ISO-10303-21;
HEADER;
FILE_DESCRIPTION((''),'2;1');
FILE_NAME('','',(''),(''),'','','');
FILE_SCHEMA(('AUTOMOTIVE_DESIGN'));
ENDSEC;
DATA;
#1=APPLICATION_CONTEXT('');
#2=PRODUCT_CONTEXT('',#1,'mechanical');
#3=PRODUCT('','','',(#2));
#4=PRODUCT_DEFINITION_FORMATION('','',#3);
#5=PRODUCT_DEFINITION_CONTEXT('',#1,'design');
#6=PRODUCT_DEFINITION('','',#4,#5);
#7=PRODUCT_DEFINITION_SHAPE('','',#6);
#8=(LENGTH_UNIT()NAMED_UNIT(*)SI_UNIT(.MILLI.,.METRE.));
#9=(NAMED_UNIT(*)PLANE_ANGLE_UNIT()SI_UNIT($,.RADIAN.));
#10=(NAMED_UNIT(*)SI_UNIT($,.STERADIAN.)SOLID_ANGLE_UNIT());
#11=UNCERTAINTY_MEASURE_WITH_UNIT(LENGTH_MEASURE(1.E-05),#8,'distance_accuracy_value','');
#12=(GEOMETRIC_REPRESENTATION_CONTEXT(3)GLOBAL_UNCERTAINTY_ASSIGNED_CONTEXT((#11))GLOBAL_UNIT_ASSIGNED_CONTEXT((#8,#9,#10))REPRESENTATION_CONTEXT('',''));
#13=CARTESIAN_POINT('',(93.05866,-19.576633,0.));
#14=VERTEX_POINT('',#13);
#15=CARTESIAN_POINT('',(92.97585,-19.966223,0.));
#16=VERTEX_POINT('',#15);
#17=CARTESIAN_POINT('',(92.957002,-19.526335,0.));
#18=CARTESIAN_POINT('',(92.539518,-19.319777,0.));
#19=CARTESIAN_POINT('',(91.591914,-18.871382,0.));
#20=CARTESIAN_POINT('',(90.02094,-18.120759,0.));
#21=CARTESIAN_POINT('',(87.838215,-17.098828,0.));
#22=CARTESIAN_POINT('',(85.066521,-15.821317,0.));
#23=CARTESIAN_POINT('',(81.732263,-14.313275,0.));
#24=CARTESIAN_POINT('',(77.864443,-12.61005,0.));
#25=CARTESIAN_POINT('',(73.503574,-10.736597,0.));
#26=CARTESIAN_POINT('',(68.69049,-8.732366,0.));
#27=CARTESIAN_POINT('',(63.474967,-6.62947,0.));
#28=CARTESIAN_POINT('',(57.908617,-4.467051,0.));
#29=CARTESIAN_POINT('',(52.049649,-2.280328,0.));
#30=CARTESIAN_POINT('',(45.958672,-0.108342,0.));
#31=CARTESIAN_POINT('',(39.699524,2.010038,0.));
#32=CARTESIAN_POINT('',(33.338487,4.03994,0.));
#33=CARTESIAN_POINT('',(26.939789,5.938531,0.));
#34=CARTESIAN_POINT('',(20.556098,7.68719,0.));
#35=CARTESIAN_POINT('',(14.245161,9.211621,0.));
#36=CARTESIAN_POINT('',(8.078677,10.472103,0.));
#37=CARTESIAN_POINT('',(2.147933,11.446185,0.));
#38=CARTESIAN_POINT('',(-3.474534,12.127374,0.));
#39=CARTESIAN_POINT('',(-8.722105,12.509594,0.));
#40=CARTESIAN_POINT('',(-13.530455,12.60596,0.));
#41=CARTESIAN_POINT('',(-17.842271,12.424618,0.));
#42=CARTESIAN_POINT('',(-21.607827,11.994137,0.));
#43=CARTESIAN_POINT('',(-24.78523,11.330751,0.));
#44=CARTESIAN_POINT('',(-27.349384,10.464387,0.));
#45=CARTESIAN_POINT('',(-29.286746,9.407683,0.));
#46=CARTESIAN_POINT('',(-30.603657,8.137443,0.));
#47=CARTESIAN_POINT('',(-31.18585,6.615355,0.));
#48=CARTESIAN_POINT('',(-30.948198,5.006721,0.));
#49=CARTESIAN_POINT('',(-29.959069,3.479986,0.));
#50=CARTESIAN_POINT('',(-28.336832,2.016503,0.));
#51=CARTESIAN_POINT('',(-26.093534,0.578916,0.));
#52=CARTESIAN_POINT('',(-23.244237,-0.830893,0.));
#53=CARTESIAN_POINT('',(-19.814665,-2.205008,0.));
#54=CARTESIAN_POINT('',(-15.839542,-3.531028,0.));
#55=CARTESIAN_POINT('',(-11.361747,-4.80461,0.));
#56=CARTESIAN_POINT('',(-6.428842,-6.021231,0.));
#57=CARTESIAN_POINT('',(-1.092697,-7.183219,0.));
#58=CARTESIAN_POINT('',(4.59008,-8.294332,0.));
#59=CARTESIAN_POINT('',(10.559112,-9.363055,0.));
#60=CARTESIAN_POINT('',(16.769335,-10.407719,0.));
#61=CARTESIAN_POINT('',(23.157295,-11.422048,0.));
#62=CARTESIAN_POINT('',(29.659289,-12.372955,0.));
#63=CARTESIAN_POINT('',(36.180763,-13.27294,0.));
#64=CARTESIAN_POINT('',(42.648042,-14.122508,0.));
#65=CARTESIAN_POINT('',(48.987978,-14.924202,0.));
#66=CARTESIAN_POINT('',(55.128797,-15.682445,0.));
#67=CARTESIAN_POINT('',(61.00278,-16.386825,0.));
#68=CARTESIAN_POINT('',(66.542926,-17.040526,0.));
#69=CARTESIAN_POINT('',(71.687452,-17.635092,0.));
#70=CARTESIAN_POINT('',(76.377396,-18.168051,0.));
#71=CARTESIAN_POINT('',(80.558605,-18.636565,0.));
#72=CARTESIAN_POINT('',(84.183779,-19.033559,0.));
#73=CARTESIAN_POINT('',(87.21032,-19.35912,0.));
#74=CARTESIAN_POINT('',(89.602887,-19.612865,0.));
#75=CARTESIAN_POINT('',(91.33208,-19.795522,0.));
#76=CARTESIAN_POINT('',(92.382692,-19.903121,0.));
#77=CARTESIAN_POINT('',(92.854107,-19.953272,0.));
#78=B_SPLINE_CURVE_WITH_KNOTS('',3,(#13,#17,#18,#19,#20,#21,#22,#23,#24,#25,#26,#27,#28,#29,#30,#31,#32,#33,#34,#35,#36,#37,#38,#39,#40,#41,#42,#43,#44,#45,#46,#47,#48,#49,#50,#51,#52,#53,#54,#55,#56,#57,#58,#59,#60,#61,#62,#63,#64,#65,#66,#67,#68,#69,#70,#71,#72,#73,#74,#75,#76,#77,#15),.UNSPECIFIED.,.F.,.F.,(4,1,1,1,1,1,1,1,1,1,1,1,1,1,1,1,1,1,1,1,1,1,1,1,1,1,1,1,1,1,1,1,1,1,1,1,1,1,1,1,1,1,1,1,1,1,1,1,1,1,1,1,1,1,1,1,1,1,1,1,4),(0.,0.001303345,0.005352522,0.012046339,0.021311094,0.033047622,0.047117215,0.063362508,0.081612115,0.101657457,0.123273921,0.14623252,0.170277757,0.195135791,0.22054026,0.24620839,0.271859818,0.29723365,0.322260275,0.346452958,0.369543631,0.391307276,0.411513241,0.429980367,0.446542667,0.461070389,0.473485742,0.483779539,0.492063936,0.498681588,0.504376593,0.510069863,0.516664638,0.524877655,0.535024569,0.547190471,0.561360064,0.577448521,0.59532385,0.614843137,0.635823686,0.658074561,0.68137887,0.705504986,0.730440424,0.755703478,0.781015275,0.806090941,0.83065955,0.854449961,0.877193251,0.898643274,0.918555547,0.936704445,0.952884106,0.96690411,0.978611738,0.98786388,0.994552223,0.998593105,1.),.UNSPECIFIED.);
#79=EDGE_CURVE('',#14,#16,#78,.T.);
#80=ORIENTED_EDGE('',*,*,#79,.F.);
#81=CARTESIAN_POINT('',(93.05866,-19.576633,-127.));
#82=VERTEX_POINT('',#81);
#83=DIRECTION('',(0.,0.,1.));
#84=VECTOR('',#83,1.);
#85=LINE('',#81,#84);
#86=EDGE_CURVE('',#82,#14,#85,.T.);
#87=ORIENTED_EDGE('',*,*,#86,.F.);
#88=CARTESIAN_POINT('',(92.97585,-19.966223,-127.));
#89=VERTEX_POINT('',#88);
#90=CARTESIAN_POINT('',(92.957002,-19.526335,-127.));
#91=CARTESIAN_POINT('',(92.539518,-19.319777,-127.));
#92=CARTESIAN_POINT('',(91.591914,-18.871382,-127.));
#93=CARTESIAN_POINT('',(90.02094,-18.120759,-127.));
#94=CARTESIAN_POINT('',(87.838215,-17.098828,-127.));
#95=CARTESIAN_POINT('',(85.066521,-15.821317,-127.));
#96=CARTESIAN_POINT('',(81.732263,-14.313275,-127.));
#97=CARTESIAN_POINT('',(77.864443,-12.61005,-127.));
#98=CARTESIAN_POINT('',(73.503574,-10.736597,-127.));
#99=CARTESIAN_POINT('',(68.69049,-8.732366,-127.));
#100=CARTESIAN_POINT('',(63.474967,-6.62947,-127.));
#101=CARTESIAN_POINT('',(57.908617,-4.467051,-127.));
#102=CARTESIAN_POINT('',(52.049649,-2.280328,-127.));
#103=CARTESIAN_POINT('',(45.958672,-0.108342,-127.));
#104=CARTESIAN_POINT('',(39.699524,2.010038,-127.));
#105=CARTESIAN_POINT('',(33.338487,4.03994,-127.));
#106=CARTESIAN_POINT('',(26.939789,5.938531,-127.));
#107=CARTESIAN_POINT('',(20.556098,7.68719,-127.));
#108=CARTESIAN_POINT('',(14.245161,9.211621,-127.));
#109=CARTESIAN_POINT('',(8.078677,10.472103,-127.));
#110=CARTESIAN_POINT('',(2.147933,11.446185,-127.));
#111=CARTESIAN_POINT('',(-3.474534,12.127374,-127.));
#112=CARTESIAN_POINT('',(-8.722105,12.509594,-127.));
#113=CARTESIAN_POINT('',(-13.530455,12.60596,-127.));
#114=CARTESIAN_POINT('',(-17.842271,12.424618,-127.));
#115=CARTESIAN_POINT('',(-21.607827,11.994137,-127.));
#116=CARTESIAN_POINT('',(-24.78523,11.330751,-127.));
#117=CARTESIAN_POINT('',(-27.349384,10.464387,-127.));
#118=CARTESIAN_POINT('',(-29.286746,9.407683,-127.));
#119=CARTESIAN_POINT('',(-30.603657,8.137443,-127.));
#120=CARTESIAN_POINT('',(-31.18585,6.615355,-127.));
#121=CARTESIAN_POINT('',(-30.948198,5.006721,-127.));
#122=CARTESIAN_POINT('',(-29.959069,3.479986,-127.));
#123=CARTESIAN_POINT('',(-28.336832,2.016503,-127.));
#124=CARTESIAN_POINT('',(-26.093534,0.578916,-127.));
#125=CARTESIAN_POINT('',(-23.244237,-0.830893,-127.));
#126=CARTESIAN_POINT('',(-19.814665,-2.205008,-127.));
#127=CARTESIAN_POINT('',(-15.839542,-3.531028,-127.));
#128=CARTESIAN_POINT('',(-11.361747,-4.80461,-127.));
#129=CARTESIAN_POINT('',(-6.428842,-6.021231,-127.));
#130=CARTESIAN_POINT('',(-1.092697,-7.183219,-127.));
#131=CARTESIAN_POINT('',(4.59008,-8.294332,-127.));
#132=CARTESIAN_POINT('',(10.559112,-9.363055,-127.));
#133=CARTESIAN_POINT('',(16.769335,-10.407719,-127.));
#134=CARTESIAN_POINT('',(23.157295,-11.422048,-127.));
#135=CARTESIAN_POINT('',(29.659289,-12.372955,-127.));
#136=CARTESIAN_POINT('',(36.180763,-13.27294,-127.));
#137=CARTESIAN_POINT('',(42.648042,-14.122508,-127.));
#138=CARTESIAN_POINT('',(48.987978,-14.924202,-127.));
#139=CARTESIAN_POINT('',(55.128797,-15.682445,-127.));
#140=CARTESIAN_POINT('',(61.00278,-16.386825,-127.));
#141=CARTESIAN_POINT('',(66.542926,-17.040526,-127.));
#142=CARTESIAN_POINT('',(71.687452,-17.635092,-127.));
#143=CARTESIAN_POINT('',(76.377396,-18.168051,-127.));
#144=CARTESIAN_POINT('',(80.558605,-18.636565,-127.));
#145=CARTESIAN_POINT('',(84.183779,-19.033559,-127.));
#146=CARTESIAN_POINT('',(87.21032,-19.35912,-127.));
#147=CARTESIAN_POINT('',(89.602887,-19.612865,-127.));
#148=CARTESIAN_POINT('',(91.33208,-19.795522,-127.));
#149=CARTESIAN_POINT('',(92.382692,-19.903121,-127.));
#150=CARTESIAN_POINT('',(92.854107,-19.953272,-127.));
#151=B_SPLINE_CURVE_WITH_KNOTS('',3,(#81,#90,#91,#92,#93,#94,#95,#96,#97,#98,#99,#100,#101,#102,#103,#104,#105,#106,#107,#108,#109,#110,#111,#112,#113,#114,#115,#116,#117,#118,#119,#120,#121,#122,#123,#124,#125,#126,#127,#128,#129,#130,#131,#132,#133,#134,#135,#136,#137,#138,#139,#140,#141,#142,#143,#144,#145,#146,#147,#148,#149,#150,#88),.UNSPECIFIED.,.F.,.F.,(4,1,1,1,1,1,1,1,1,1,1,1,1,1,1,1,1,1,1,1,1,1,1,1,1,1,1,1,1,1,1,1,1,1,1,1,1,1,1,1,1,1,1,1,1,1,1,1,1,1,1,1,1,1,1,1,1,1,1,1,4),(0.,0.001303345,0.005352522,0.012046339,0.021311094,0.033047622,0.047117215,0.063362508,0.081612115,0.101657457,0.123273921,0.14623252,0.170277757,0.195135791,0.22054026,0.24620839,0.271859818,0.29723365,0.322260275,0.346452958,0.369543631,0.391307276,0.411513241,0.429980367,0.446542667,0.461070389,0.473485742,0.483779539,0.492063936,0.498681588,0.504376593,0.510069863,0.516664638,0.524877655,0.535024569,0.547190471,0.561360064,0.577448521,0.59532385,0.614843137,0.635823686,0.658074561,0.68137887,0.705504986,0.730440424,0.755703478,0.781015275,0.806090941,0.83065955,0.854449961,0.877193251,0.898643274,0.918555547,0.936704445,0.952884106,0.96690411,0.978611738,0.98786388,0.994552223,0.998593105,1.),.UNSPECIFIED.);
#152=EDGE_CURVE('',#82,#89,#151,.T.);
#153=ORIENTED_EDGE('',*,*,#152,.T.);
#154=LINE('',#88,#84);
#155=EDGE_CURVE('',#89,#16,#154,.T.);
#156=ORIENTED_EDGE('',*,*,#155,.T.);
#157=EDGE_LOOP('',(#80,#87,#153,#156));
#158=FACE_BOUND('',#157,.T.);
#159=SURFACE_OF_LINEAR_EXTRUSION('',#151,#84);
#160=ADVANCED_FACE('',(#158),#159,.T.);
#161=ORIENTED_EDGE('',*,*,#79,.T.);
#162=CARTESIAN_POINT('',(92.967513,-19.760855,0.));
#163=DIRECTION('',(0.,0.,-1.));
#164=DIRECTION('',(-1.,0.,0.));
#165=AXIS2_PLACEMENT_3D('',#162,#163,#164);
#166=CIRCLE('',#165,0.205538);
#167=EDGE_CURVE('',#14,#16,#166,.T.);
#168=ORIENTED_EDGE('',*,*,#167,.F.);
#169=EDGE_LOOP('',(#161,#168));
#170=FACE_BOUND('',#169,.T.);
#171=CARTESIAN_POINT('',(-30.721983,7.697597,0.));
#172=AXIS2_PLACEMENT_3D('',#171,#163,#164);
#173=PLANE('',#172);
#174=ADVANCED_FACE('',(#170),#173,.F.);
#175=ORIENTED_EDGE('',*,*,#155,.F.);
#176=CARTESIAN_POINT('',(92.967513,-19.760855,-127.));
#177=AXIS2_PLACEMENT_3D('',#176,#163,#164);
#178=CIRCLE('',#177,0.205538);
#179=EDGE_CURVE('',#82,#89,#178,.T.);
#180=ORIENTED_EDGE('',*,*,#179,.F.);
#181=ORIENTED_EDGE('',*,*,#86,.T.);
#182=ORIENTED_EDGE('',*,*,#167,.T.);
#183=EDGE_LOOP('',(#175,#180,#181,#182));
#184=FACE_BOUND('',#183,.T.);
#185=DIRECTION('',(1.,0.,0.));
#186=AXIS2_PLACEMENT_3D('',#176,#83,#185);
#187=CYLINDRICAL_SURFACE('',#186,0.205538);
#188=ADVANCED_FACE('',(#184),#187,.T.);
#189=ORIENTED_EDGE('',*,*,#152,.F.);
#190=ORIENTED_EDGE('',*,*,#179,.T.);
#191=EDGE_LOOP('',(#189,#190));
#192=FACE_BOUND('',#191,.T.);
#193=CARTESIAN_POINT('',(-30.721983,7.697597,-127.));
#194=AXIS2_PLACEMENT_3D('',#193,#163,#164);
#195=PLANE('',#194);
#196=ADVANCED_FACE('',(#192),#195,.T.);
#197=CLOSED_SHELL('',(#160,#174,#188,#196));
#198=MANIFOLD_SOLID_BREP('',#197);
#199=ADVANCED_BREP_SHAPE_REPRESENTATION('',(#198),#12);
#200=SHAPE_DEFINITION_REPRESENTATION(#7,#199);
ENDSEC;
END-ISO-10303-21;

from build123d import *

# Parameters (mm, degrees)
BOSS_EXTRUDE1_DEPTH = 127


with BuildPart() as part:
    # Sketch1 → Boss-Extrude1 (new body)
    with BuildSketch(Plane.XY):
        with BuildLine():
            ThreePointArc((93.05866034, -19.576632663), (93.16855897, -19.80358855), (92.9758503, -19.96622327))
            add(Edge.make_bspline(
                [(93.05866034, -19.576632663), (92.957002403, -19.526335478), (92.539517715, -19.31977704), (91.591913609, -18.871381829), (90.020940239, -18.120758983), (87.838214719, -17.098828255), (85.066521259, -15.821317225), (81.732262686, -14.313275302), (77.864443498, -12.610049724), (73.503574448, -10.736597346), (68.690490219, -8.73236563), (63.474966761, -6.629469679), (57.908616951, -4.467050907), (52.049648773, -2.280327522), (45.958672309, -0.108341606), (39.699523955, 2.010038397), (33.338487352, 4.039939768), (26.939788818, 5.938531094), (20.556097815, 7.68719028), (14.245161383, 9.211620806), (8.078676903, 10.472103329), (2.147932934, 11.446184853), (-3.474533628, 12.127374154), (-8.722105332, 12.50959383), (-13.530455216, 12.605959548), (-17.842271406, 12.424617782), (-21.60782663, 11.994136734), (-24.785230361, 11.330750601), (-27.349384412, 10.464386921), (-29.286745932, 9.407682777), (-30.603657033, 8.137443081), (-31.185850318, 6.615355323), (-30.948197504, 5.006720799), (-29.959069261, 3.479985684), (-28.33683184, 2.016502726), (-26.093534433, 0.578915897), (-23.244236964, -0.830892785), (-19.814665374, -2.205008099), (-15.839541748, -3.531027536), (-11.361747266, -4.804609983), (-6.428842312, -6.021231317), (-1.092697288, -7.18321858), (4.590080403, -8.29433151), (10.559112078, -9.363054541), (16.769334976, -10.407718585), (23.157294914, -11.422047871), (29.659289179, -12.372954722), (36.180763289, -13.272940149), (42.64804247, -14.122508454), (48.987978383, -14.92420166), (55.128796639, -15.682444714), (61.002780085, -16.38682544), (66.542926391, -17.040525918), (71.687451514, -17.635091678), (76.377396065, -18.168051006), (80.558605362, -18.636564901), (84.18377901, -19.033558561), (87.210319631, -19.35912009), (89.602886861, -19.612864982), (91.332079736, -19.79552172), (92.382692063, -19.903120905), (92.854106848, -19.953271752), (92.9758503, -19.96622327)],
                knots=[0, 0, 0, 0, 0.001303345, 0.005352522, 0.012046339, 0.021311094, 0.033047622, 0.047117215, 0.063362508, 0.081612115, 0.101657457, 0.123273921, 0.14623252, 0.170277757, 0.195135791, 0.22054026, 0.24620839, 0.271859818, 0.29723365, 0.322260275, 0.346452958, 0.369543631, 0.391307276, 0.411513241, 0.429980367, 0.446542667, 0.461070389, 0.473485742, 0.483779539, 0.492063936, 0.498681588, 0.504376593, 0.510069863, 0.516664638, 0.524877655, 0.535024569, 0.547190471, 0.561360064, 0.577448521, 0.59532385, 0.614843137, 0.635823686, 0.658074561, 0.68137887, 0.705504986, 0.730440424, 0.755703478, 0.781015275, 0.806090941, 0.83065955, 0.854449961, 0.877193251, 0.898643274, 0.918555547, 0.936704445, 0.952884106, 0.96690411, 0.978611738, 0.98786388, 0.994552223, 0.998593105, 1, 1, 1, 1], degree=3))
        make_face()
    extrude(amount=-BOSS_EXTRUDE1_DEPTH)


solid = part.part
